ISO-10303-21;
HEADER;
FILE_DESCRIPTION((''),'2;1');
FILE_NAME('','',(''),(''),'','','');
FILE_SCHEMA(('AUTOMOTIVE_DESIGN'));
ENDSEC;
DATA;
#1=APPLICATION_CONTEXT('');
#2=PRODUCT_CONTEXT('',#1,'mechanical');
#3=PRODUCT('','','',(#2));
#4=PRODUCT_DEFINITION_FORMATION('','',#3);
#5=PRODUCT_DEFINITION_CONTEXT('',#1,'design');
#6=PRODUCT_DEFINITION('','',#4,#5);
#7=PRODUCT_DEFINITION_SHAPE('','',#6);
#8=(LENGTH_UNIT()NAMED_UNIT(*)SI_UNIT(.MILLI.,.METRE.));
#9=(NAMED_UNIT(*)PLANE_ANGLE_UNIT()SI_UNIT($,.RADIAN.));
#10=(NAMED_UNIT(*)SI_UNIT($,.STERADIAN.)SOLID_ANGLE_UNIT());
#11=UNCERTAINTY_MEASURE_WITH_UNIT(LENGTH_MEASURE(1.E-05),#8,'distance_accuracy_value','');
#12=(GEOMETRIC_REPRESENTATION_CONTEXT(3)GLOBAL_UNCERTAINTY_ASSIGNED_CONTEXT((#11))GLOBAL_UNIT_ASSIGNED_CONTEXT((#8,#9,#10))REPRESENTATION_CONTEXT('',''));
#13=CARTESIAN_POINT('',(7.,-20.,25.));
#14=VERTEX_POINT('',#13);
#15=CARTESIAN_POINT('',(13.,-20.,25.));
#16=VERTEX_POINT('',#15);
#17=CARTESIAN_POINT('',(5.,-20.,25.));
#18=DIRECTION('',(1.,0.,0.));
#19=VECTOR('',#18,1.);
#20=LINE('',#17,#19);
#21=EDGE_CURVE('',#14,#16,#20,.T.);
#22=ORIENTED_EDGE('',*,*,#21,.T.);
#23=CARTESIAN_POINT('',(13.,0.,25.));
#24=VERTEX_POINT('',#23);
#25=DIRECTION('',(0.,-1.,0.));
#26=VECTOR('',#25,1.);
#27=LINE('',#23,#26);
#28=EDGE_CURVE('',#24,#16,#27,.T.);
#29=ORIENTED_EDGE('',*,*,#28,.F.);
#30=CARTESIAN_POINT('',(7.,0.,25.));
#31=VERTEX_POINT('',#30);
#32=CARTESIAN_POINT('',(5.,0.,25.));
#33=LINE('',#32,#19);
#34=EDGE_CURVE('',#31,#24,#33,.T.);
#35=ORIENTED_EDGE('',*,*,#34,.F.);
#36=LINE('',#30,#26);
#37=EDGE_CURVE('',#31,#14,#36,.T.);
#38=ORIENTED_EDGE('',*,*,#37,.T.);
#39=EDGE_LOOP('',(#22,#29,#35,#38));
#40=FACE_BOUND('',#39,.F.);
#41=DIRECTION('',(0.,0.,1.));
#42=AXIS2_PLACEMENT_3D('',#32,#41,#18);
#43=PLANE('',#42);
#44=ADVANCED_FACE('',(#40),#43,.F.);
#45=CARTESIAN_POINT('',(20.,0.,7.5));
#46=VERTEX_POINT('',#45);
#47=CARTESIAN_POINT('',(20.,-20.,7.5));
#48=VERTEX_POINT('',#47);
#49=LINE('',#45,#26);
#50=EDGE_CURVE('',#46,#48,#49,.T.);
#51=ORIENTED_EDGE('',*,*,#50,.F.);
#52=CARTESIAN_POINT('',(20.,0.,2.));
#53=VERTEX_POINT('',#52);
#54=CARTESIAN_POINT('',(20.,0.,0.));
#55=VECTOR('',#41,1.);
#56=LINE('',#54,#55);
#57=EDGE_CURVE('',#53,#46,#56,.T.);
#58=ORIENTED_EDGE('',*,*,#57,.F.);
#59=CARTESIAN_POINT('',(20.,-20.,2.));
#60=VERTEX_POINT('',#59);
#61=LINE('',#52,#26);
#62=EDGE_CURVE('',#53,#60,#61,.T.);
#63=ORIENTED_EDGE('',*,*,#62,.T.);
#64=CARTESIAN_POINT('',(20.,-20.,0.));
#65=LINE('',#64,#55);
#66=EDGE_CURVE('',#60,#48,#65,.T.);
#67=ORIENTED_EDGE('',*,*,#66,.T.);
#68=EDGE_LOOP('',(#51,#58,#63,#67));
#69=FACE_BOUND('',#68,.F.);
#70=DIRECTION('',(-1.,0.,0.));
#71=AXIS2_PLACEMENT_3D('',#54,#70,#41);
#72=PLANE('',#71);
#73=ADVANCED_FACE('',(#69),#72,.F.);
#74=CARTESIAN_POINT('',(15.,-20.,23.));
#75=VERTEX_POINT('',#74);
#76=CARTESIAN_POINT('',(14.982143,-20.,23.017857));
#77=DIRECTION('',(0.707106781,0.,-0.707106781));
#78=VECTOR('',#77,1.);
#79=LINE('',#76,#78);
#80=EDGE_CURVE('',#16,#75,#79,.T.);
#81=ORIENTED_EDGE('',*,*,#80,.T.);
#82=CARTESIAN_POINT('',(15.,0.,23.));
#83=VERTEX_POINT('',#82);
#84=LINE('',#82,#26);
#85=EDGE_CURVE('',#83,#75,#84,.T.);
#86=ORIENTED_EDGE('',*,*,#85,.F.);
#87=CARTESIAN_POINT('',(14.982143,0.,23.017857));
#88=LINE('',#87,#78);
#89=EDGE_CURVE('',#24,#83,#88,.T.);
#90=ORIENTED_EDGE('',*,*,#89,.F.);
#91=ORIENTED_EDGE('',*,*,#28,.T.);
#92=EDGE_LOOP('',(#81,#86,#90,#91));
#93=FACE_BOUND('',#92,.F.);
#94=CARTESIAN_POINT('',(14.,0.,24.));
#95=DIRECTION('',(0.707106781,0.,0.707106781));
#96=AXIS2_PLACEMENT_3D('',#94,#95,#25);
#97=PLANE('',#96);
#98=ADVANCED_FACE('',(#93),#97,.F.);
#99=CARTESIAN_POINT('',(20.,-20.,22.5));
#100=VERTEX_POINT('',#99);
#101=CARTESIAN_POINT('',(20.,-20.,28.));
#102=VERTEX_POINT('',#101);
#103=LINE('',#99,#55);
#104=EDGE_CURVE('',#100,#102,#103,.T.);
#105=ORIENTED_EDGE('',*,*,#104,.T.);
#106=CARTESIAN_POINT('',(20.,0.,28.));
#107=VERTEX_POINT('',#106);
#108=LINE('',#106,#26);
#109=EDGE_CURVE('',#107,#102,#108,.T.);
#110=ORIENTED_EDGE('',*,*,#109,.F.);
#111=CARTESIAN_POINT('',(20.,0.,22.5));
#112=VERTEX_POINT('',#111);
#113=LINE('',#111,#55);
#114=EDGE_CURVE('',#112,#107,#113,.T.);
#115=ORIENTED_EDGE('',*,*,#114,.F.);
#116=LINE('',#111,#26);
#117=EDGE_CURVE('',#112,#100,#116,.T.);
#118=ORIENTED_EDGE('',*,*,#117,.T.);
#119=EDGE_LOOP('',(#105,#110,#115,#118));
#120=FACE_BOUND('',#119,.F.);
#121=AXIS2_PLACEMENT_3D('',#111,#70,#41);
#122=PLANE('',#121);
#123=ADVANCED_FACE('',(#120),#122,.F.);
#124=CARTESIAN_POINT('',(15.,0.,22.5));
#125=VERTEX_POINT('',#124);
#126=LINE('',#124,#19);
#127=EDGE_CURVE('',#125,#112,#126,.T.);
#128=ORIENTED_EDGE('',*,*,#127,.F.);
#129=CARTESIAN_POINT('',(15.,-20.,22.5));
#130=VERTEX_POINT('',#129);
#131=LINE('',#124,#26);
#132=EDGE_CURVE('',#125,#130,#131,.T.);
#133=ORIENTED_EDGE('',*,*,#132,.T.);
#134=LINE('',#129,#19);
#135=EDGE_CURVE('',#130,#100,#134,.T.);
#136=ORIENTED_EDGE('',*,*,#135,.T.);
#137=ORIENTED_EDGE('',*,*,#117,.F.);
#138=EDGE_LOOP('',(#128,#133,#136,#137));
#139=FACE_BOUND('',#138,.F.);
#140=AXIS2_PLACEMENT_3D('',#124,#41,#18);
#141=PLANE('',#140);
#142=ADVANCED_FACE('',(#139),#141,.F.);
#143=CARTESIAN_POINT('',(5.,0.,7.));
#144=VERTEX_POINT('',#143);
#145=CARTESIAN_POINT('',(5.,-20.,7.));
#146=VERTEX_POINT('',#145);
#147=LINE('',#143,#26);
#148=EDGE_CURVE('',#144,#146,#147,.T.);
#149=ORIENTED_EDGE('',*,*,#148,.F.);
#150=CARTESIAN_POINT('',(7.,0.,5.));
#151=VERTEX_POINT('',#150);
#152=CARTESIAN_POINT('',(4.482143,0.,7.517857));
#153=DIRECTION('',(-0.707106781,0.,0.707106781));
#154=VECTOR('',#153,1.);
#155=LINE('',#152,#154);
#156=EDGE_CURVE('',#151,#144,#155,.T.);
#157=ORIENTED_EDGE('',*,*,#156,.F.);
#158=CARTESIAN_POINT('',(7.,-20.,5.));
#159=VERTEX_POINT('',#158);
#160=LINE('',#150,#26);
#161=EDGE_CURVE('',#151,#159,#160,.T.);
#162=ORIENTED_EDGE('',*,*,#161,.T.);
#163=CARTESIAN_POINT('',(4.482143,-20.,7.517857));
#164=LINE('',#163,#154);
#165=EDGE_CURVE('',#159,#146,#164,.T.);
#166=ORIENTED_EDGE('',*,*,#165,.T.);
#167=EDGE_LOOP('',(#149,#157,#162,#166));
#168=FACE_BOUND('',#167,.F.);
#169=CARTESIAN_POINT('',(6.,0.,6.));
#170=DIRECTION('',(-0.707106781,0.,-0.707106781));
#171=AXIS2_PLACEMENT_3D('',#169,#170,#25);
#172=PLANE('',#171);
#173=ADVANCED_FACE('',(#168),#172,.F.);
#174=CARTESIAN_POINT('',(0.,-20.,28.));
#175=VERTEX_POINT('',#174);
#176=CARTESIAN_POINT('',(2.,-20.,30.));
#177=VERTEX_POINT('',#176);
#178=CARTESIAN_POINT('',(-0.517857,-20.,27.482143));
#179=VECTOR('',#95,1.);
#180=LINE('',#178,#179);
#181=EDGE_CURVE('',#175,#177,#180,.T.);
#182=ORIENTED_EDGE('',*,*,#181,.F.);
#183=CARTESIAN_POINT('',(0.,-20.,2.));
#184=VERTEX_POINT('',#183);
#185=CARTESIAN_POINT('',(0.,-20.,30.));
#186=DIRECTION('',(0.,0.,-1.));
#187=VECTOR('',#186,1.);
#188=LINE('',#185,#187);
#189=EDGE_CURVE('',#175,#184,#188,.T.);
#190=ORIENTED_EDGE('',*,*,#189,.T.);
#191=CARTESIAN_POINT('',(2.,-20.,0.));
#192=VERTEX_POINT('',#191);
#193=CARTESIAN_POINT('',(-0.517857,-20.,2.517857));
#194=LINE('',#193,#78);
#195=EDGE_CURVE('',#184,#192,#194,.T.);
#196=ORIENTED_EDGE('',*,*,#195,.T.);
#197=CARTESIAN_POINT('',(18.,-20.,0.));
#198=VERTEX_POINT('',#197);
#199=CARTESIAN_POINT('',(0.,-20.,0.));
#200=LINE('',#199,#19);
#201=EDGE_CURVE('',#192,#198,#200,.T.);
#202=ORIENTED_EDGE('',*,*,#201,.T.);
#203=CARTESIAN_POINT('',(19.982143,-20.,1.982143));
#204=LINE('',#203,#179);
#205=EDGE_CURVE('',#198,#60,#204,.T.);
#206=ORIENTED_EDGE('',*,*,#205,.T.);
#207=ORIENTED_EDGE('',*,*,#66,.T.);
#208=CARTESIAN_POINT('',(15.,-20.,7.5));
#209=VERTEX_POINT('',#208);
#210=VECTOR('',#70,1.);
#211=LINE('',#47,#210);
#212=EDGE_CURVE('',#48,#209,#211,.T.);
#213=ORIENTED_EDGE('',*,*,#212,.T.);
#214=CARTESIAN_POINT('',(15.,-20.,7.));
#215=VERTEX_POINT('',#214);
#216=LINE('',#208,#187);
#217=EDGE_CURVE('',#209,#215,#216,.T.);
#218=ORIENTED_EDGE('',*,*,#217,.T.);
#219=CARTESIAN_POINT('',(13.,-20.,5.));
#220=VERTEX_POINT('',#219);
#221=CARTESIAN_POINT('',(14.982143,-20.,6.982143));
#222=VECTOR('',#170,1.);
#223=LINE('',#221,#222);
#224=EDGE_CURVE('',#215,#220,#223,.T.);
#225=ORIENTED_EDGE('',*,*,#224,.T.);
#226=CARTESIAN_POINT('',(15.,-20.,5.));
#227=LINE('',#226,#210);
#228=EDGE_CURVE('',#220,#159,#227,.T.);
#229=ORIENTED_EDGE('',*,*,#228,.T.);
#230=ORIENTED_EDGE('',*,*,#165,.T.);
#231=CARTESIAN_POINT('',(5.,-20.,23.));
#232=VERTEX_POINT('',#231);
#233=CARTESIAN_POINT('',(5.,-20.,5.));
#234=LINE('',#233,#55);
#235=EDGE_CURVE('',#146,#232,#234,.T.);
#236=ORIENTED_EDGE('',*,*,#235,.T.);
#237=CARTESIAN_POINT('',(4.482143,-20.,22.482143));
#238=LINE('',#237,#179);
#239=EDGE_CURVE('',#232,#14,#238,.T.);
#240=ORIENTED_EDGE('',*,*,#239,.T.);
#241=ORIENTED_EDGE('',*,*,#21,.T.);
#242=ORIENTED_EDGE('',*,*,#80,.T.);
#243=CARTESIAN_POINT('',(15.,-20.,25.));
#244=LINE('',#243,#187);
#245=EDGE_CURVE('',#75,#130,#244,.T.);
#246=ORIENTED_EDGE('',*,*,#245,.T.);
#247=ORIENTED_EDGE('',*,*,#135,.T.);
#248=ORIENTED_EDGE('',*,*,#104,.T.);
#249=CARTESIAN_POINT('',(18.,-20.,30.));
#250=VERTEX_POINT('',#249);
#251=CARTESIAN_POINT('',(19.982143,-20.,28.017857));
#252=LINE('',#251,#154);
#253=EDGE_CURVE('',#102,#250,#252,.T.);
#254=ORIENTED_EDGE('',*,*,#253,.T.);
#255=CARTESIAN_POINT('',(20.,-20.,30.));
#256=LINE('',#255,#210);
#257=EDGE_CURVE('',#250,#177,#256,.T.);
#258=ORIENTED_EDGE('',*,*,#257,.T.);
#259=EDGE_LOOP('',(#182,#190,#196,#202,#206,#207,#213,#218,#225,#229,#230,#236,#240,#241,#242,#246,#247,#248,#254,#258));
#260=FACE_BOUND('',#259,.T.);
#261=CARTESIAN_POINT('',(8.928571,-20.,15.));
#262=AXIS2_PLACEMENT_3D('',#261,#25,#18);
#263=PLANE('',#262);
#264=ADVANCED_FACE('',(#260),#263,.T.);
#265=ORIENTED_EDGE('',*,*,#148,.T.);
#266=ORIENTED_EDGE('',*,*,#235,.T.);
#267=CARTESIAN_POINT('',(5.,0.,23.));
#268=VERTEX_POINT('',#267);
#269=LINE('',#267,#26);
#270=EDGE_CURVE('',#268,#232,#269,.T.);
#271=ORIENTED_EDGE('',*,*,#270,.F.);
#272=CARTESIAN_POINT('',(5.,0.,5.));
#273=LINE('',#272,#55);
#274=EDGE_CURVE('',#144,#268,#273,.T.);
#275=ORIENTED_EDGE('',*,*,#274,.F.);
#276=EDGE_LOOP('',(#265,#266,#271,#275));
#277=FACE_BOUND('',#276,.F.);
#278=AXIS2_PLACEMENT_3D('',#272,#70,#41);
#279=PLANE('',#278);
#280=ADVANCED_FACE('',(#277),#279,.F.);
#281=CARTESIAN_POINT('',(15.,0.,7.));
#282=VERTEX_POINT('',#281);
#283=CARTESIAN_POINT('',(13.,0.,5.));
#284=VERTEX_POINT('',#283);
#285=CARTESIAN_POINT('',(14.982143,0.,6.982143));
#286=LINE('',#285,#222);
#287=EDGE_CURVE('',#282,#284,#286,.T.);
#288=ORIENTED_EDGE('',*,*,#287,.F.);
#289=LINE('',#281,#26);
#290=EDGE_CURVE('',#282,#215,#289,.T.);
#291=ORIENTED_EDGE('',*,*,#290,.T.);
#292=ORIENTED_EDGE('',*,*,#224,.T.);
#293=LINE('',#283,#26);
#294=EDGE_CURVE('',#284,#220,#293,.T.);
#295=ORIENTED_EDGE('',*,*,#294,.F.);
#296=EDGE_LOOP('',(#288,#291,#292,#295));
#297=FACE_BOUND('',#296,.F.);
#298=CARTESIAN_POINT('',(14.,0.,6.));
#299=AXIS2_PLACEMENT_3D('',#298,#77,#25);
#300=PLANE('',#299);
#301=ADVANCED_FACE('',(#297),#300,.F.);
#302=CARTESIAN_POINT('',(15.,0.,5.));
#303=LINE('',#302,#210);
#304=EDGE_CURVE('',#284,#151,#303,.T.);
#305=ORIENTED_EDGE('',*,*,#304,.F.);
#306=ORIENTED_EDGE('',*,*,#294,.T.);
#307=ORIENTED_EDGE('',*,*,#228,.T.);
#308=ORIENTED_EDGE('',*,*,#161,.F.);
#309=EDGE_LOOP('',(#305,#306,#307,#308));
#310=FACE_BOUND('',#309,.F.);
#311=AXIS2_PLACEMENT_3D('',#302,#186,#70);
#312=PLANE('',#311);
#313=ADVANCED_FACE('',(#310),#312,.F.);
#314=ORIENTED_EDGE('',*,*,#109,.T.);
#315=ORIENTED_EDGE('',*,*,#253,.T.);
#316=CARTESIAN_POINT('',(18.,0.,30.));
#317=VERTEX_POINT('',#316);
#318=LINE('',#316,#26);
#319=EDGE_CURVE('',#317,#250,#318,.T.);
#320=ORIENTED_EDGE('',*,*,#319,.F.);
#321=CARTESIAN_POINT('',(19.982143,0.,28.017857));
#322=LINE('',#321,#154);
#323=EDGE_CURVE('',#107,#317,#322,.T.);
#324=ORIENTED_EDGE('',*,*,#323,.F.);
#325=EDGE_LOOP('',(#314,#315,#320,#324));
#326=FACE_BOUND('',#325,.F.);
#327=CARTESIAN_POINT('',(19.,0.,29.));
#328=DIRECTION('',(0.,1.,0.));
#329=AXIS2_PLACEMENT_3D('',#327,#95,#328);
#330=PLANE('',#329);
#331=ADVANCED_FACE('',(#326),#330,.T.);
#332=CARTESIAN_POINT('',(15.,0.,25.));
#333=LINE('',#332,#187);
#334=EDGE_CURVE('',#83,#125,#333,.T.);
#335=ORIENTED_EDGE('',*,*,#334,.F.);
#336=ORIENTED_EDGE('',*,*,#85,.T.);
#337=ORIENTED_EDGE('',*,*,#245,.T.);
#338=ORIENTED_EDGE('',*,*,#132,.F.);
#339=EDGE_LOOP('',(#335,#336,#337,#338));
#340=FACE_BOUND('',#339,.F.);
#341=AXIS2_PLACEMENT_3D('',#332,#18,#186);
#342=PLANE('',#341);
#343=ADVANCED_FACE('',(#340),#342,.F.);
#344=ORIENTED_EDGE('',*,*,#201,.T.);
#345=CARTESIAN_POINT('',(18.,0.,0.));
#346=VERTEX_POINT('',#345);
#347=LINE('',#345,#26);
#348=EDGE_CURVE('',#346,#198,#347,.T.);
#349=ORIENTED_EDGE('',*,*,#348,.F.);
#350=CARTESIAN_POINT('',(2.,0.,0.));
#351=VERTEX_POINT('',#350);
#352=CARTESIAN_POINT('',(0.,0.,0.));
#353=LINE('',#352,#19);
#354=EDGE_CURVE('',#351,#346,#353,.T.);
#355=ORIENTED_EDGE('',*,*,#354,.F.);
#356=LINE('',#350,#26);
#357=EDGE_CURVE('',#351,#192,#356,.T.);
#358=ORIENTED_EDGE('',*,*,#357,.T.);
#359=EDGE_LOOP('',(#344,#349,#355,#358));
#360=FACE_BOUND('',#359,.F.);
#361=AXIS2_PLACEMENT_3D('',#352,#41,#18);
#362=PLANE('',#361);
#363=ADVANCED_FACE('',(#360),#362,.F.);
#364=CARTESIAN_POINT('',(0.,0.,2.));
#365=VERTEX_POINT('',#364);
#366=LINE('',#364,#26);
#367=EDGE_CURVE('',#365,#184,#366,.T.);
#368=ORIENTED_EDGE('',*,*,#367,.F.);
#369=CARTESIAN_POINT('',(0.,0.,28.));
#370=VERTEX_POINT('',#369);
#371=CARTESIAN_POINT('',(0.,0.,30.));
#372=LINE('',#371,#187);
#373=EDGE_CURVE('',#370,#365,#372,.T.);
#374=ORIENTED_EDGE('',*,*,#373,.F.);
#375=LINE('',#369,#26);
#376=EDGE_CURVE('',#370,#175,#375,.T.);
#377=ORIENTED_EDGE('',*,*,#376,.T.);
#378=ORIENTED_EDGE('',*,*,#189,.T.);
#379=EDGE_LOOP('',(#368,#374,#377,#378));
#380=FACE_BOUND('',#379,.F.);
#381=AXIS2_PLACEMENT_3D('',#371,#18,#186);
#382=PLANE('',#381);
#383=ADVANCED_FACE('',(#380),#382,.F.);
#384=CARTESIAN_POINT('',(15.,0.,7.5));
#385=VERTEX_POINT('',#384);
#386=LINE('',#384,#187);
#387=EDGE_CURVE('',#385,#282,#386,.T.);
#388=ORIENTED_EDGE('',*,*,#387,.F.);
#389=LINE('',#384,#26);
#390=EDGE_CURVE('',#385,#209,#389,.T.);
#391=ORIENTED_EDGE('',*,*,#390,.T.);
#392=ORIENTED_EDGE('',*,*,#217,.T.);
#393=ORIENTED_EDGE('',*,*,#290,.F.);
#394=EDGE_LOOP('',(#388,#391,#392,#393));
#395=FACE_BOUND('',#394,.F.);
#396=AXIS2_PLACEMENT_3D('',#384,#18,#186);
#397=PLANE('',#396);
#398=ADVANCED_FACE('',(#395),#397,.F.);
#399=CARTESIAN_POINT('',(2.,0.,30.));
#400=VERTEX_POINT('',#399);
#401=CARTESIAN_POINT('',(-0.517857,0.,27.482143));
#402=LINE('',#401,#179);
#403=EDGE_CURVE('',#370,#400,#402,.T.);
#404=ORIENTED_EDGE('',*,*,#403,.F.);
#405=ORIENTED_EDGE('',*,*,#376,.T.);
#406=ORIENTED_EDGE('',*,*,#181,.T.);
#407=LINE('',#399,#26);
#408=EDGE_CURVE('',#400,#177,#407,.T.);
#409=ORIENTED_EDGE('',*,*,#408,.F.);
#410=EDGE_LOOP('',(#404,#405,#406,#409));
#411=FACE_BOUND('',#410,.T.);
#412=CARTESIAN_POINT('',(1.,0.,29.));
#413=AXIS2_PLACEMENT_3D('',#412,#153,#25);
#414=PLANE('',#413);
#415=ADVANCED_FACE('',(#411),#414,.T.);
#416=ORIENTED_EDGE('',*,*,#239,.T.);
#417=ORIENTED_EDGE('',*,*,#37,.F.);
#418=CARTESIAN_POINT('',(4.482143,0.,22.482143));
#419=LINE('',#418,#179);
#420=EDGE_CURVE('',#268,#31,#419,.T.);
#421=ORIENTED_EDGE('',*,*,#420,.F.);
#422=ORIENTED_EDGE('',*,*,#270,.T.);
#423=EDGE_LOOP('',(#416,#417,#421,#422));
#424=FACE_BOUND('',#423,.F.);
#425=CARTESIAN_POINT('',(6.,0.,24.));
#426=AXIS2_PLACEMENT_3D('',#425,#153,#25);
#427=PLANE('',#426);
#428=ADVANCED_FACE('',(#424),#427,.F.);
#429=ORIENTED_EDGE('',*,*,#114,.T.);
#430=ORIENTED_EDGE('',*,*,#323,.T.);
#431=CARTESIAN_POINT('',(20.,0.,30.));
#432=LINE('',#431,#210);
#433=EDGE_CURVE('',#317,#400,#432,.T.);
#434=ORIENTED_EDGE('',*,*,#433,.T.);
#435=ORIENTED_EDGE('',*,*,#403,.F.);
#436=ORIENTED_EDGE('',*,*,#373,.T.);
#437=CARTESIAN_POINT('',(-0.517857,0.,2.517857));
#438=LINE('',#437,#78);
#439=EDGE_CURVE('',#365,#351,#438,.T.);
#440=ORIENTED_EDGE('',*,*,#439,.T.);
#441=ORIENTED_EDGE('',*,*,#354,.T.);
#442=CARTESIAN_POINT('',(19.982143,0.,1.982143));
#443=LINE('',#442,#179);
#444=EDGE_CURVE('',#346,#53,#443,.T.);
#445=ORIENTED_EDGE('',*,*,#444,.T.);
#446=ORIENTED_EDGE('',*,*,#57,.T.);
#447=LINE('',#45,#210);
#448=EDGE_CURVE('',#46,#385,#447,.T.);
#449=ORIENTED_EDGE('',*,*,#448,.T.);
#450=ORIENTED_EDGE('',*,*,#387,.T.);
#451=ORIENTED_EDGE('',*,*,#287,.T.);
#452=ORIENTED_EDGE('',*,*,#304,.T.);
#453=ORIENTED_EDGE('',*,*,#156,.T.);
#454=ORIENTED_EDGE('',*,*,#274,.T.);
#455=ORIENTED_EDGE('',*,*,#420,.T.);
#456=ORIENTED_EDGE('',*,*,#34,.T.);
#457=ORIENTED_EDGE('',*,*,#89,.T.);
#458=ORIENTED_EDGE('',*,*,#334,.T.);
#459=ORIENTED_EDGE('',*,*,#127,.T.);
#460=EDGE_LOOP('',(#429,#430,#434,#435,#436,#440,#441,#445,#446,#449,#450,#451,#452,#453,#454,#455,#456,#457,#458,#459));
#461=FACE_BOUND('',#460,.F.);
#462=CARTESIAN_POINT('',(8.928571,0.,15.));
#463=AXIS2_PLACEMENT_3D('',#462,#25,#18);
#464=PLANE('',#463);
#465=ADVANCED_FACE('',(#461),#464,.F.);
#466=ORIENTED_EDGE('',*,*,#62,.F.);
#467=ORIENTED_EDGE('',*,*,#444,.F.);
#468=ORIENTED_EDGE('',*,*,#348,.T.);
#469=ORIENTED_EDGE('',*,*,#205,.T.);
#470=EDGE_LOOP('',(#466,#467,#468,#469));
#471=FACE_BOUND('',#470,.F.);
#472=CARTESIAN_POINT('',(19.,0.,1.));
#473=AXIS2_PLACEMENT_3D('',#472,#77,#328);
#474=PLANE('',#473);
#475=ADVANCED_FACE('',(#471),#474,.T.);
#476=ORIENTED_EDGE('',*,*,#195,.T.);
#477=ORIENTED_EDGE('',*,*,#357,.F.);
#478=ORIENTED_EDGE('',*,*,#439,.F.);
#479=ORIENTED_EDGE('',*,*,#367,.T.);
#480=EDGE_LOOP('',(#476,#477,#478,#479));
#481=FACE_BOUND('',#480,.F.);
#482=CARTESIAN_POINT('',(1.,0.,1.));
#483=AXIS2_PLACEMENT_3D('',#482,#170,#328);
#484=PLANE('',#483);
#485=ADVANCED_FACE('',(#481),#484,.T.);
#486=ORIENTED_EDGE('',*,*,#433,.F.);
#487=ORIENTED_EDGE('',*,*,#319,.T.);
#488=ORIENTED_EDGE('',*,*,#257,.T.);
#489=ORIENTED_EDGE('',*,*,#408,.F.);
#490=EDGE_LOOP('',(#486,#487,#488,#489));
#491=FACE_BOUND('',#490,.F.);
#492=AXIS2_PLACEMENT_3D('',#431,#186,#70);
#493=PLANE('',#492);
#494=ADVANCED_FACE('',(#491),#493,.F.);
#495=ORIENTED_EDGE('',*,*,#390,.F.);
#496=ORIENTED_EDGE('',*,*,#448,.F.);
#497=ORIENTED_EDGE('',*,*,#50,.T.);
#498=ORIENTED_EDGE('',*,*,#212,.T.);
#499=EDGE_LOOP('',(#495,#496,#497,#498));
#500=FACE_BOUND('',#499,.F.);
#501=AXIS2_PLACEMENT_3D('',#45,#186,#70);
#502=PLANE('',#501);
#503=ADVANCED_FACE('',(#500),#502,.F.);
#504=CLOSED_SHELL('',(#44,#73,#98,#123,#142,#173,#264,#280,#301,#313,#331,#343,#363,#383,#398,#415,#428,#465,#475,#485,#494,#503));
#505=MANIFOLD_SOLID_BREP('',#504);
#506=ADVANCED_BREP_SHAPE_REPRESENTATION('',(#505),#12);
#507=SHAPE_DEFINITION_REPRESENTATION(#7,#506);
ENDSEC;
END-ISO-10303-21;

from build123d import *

# Parameters (mm, degrees)
F1_DEPTH = 20
F2_SIZE  = 2


with BuildPart() as f1:
    # F0 (on Front) → F1 (new body)
    with BuildSketch(Plane.XZ):
        Polygon((0, 30), (0, 0), (20, 0), (20, 7.5), (15, 7.5), (15, 5), (5, 5), (5, 25), (15, 25), (15, 22.5), (20, 22.5), (20, 30), align=None)
    extrude(amount=F1_DEPTH)

    # F2
    f2_edges = [f1.edges().sort_by_distance(p)[0] for p in [
        (20, -10, 30),
        (0, -10, 30),
        (20, -10, 0),
        (0, -10, 0),
        (5, -10, 25),
        (5, -10, 5),
        (15, -10, 25),
        (15, -10, 5),
    ]]
    chamfer(f2_edges, length=F2_SIZE)


solid = f1.part
